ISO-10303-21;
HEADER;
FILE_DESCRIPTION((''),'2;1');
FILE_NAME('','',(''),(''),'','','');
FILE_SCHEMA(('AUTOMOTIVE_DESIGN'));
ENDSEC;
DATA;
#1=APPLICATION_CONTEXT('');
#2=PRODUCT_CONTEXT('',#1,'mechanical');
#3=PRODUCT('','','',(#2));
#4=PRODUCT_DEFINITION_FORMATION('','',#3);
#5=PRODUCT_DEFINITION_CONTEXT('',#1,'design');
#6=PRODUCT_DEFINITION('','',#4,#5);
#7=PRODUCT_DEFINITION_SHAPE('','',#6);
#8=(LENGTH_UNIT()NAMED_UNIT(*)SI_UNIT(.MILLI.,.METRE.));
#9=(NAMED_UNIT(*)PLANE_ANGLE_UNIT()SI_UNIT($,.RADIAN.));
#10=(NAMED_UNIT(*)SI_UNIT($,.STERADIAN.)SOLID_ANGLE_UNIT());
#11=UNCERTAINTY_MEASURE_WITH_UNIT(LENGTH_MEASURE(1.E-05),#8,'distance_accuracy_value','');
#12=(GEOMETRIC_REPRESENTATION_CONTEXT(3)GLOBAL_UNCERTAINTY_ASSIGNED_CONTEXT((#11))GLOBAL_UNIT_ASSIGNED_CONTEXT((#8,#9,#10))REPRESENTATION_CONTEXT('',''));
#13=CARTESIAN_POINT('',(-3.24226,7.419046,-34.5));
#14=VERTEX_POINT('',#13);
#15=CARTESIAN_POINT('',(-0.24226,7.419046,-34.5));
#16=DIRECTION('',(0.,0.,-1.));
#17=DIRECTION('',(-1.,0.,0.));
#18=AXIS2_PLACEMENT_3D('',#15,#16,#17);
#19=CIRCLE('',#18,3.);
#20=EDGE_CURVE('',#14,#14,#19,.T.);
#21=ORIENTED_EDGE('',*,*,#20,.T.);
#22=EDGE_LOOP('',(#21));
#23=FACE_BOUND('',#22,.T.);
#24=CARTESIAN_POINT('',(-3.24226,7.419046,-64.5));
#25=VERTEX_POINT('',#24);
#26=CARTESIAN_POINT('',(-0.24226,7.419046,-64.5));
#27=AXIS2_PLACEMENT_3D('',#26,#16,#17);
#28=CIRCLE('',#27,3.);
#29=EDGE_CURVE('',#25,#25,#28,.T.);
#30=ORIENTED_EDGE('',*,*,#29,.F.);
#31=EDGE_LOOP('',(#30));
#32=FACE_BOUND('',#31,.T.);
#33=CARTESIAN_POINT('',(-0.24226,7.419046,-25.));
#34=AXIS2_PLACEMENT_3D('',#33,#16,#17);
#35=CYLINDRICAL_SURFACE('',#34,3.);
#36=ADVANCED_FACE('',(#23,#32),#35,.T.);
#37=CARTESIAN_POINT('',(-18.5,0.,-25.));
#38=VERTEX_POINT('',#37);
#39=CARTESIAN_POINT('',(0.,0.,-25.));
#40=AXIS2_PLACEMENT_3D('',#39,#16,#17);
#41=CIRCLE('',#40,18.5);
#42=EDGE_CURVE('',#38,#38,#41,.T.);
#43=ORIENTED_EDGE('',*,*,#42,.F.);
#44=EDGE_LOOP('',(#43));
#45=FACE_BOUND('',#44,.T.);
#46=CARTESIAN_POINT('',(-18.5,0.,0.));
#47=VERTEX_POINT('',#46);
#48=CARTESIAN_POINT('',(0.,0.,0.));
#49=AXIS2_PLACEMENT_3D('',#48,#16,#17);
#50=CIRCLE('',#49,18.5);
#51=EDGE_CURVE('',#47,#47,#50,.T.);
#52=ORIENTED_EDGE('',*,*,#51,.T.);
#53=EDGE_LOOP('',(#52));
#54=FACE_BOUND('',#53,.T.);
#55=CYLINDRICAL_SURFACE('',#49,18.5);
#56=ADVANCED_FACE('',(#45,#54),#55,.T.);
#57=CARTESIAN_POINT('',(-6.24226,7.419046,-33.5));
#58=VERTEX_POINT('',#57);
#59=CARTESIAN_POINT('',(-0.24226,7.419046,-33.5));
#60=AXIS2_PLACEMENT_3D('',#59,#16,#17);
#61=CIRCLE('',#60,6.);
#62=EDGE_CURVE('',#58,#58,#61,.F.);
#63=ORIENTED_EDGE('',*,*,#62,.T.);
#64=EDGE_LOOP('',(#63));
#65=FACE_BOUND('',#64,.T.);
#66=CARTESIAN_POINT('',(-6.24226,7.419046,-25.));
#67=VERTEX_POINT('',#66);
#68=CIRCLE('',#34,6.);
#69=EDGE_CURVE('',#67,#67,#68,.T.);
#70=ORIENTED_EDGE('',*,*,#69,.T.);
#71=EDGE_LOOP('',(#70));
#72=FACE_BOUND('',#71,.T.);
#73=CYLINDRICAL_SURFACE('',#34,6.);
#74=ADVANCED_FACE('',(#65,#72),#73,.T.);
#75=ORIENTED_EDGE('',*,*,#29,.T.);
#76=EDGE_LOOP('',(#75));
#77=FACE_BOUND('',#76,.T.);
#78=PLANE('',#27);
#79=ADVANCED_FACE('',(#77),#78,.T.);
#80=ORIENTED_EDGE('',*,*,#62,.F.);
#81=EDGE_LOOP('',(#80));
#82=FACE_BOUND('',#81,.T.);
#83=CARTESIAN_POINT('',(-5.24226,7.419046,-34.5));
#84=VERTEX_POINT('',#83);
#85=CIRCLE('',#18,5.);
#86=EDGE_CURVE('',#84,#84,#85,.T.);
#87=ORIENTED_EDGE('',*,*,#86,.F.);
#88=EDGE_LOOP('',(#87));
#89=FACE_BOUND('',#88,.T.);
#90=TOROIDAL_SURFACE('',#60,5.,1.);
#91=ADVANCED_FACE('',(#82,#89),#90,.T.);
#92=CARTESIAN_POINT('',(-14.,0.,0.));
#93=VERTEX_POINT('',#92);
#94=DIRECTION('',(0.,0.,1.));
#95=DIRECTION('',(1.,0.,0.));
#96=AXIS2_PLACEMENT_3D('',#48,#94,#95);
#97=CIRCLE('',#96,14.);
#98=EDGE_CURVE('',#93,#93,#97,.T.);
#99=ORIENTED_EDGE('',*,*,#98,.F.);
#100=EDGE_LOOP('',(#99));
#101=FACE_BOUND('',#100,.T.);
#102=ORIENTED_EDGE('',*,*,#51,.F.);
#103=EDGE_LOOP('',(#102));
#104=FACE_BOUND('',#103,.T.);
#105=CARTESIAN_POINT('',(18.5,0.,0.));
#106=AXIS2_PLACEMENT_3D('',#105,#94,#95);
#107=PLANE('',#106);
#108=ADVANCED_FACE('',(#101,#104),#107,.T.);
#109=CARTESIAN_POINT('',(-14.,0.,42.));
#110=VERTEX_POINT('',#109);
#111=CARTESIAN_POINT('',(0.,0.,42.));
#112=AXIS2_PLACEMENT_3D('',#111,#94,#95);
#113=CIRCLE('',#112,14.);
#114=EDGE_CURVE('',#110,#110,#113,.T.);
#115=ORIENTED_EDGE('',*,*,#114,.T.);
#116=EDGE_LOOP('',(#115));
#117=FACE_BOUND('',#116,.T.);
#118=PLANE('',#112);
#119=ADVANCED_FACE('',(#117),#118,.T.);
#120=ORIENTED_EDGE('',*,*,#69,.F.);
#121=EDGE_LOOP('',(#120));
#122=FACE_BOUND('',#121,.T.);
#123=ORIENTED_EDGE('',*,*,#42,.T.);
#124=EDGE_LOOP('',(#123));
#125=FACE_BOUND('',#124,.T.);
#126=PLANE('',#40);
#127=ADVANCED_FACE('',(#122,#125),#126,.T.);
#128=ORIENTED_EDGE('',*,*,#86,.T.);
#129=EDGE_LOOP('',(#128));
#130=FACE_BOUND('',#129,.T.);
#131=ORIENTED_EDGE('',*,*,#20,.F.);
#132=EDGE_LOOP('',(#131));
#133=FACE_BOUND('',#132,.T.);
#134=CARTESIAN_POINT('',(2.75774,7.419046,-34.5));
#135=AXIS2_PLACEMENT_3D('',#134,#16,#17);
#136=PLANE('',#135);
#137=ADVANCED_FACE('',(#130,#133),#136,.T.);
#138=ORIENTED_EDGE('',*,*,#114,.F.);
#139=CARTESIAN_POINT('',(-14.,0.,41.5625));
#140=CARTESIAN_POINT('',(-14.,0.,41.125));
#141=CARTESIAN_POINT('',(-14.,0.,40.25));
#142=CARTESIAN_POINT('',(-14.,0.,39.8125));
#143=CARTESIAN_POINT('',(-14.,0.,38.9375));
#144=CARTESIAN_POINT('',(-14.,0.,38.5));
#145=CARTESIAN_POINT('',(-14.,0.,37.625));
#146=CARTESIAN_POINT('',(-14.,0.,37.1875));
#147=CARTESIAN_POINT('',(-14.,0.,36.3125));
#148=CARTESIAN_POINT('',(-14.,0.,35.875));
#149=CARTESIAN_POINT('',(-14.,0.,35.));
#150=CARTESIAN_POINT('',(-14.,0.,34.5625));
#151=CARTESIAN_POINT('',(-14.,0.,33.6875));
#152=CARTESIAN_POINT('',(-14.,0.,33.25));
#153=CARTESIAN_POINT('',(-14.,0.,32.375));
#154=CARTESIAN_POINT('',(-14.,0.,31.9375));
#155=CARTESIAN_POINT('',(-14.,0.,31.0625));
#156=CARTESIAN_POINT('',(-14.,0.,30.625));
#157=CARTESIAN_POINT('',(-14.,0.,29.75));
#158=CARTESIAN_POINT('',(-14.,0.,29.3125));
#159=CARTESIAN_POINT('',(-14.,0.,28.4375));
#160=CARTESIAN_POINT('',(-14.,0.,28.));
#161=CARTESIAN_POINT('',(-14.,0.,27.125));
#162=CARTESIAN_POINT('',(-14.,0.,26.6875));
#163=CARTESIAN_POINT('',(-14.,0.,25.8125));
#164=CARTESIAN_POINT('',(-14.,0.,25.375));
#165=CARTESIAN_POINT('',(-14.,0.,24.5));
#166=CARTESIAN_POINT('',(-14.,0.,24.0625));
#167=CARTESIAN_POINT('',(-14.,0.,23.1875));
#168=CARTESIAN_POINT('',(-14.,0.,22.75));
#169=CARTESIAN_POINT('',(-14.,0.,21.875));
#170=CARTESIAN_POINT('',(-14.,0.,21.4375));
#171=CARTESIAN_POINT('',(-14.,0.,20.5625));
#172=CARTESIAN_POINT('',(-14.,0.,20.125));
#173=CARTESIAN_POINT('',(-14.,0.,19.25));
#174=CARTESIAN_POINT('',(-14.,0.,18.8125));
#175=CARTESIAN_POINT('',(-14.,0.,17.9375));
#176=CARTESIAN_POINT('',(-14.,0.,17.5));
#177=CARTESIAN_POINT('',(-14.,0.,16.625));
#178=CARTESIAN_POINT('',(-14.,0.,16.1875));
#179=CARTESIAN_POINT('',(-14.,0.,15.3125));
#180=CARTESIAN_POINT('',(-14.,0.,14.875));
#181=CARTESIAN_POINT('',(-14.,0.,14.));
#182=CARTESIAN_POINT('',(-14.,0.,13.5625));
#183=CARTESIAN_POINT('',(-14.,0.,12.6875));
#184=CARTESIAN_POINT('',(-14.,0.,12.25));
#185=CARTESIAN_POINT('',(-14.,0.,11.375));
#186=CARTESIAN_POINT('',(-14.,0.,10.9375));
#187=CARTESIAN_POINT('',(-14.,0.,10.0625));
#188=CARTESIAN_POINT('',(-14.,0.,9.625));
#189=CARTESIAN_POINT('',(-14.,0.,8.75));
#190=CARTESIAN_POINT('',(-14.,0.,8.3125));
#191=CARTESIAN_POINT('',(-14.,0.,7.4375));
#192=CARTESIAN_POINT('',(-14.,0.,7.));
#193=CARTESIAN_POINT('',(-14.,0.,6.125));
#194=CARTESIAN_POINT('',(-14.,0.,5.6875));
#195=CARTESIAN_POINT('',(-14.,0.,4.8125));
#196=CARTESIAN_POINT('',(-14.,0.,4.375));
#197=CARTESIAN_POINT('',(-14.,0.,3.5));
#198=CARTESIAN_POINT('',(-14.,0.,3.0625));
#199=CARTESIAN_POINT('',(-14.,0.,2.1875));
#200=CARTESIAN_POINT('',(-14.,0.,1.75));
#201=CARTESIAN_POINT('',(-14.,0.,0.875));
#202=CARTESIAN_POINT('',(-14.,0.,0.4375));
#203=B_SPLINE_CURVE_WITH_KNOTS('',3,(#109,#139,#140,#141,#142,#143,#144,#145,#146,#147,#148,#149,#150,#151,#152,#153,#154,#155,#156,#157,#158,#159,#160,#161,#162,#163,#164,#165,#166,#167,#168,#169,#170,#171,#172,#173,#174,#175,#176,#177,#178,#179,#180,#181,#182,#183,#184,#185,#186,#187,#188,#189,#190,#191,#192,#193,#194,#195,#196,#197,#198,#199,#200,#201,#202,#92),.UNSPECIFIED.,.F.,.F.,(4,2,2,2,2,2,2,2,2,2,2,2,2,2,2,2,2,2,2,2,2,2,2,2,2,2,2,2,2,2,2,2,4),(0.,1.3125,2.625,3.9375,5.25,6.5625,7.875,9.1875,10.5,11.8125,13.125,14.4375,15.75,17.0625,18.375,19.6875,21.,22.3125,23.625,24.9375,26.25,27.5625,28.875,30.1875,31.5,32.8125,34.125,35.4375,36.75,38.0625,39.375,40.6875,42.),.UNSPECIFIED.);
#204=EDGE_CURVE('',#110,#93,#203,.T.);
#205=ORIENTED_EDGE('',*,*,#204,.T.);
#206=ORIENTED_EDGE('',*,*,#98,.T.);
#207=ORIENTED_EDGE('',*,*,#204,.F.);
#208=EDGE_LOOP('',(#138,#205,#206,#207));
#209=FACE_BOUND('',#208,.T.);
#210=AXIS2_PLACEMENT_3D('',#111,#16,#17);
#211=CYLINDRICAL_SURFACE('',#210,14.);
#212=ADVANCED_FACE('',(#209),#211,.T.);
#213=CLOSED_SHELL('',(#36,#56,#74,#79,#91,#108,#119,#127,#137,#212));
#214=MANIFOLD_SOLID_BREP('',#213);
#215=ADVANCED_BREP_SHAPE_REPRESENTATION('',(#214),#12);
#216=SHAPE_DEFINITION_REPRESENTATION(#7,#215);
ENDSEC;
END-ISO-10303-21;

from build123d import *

# Parameters (mm, degrees)
SKETCH1_W           = 18.5
SKETCH1_H           = 25
SKETCH2_R           = 14
BOSS_EXTRUDE1_DEPTH = 42
FILLET1_R           = 1


with BuildPart() as part:
    # Sketch1 → Revolve1 (revolve)
    with BuildSketch(Plane.XZ, mode=Mode.PRIVATE) as revolve1_sk:
        with Locations((9.25, -12.5)):
            Rectangle(SKETCH1_W, SKETCH1_H)
    revolve(revolve1_sk.sketch.rotate(Axis((0, 0, 0), (0, 0, -1)), 180), axis=Axis((0, 0, 0), (0, 0, -1)))

    # Sketch2 → Boss-Extrude1 (add)
    with BuildSketch(Plane.XY):
        with Locations(Location((0, 0, 0), (0, 0, 180))):
            Circle(SKETCH2_R)
    extrude(amount=BOSS_EXTRUDE1_DEPTH)

    # Sketch3 → Revolve2 (revolve)
    with BuildSketch(Plane.XZ.offset(-7.419045711), mode=Mode.PRIVATE) as revolve2_sk:
        Polygon((5.757740364, -25), (-0.242259636, -25), (-0.242259636, -64.5), (2.757740364, -64.5), (2.757740364, -34.5), (5.757740364, -34.5), align=None)
    revolve(revolve2_sk.sketch.rotate(Axis((-0.242259636, 7.419045711, -25), (0, 0, -1)), 180), axis=Axis((-0.242259636, 7.419045711, -25), (0, 0, -1)))

    # Fillet1
    fillet1_edges = [part.edges().sort_by_distance(p)[0] for p in [
        (5.757740364, 7.419045711, -34.5),
    ]]
    fillet(fillet1_edges, radius=FILLET1_R)


solid = part.part
